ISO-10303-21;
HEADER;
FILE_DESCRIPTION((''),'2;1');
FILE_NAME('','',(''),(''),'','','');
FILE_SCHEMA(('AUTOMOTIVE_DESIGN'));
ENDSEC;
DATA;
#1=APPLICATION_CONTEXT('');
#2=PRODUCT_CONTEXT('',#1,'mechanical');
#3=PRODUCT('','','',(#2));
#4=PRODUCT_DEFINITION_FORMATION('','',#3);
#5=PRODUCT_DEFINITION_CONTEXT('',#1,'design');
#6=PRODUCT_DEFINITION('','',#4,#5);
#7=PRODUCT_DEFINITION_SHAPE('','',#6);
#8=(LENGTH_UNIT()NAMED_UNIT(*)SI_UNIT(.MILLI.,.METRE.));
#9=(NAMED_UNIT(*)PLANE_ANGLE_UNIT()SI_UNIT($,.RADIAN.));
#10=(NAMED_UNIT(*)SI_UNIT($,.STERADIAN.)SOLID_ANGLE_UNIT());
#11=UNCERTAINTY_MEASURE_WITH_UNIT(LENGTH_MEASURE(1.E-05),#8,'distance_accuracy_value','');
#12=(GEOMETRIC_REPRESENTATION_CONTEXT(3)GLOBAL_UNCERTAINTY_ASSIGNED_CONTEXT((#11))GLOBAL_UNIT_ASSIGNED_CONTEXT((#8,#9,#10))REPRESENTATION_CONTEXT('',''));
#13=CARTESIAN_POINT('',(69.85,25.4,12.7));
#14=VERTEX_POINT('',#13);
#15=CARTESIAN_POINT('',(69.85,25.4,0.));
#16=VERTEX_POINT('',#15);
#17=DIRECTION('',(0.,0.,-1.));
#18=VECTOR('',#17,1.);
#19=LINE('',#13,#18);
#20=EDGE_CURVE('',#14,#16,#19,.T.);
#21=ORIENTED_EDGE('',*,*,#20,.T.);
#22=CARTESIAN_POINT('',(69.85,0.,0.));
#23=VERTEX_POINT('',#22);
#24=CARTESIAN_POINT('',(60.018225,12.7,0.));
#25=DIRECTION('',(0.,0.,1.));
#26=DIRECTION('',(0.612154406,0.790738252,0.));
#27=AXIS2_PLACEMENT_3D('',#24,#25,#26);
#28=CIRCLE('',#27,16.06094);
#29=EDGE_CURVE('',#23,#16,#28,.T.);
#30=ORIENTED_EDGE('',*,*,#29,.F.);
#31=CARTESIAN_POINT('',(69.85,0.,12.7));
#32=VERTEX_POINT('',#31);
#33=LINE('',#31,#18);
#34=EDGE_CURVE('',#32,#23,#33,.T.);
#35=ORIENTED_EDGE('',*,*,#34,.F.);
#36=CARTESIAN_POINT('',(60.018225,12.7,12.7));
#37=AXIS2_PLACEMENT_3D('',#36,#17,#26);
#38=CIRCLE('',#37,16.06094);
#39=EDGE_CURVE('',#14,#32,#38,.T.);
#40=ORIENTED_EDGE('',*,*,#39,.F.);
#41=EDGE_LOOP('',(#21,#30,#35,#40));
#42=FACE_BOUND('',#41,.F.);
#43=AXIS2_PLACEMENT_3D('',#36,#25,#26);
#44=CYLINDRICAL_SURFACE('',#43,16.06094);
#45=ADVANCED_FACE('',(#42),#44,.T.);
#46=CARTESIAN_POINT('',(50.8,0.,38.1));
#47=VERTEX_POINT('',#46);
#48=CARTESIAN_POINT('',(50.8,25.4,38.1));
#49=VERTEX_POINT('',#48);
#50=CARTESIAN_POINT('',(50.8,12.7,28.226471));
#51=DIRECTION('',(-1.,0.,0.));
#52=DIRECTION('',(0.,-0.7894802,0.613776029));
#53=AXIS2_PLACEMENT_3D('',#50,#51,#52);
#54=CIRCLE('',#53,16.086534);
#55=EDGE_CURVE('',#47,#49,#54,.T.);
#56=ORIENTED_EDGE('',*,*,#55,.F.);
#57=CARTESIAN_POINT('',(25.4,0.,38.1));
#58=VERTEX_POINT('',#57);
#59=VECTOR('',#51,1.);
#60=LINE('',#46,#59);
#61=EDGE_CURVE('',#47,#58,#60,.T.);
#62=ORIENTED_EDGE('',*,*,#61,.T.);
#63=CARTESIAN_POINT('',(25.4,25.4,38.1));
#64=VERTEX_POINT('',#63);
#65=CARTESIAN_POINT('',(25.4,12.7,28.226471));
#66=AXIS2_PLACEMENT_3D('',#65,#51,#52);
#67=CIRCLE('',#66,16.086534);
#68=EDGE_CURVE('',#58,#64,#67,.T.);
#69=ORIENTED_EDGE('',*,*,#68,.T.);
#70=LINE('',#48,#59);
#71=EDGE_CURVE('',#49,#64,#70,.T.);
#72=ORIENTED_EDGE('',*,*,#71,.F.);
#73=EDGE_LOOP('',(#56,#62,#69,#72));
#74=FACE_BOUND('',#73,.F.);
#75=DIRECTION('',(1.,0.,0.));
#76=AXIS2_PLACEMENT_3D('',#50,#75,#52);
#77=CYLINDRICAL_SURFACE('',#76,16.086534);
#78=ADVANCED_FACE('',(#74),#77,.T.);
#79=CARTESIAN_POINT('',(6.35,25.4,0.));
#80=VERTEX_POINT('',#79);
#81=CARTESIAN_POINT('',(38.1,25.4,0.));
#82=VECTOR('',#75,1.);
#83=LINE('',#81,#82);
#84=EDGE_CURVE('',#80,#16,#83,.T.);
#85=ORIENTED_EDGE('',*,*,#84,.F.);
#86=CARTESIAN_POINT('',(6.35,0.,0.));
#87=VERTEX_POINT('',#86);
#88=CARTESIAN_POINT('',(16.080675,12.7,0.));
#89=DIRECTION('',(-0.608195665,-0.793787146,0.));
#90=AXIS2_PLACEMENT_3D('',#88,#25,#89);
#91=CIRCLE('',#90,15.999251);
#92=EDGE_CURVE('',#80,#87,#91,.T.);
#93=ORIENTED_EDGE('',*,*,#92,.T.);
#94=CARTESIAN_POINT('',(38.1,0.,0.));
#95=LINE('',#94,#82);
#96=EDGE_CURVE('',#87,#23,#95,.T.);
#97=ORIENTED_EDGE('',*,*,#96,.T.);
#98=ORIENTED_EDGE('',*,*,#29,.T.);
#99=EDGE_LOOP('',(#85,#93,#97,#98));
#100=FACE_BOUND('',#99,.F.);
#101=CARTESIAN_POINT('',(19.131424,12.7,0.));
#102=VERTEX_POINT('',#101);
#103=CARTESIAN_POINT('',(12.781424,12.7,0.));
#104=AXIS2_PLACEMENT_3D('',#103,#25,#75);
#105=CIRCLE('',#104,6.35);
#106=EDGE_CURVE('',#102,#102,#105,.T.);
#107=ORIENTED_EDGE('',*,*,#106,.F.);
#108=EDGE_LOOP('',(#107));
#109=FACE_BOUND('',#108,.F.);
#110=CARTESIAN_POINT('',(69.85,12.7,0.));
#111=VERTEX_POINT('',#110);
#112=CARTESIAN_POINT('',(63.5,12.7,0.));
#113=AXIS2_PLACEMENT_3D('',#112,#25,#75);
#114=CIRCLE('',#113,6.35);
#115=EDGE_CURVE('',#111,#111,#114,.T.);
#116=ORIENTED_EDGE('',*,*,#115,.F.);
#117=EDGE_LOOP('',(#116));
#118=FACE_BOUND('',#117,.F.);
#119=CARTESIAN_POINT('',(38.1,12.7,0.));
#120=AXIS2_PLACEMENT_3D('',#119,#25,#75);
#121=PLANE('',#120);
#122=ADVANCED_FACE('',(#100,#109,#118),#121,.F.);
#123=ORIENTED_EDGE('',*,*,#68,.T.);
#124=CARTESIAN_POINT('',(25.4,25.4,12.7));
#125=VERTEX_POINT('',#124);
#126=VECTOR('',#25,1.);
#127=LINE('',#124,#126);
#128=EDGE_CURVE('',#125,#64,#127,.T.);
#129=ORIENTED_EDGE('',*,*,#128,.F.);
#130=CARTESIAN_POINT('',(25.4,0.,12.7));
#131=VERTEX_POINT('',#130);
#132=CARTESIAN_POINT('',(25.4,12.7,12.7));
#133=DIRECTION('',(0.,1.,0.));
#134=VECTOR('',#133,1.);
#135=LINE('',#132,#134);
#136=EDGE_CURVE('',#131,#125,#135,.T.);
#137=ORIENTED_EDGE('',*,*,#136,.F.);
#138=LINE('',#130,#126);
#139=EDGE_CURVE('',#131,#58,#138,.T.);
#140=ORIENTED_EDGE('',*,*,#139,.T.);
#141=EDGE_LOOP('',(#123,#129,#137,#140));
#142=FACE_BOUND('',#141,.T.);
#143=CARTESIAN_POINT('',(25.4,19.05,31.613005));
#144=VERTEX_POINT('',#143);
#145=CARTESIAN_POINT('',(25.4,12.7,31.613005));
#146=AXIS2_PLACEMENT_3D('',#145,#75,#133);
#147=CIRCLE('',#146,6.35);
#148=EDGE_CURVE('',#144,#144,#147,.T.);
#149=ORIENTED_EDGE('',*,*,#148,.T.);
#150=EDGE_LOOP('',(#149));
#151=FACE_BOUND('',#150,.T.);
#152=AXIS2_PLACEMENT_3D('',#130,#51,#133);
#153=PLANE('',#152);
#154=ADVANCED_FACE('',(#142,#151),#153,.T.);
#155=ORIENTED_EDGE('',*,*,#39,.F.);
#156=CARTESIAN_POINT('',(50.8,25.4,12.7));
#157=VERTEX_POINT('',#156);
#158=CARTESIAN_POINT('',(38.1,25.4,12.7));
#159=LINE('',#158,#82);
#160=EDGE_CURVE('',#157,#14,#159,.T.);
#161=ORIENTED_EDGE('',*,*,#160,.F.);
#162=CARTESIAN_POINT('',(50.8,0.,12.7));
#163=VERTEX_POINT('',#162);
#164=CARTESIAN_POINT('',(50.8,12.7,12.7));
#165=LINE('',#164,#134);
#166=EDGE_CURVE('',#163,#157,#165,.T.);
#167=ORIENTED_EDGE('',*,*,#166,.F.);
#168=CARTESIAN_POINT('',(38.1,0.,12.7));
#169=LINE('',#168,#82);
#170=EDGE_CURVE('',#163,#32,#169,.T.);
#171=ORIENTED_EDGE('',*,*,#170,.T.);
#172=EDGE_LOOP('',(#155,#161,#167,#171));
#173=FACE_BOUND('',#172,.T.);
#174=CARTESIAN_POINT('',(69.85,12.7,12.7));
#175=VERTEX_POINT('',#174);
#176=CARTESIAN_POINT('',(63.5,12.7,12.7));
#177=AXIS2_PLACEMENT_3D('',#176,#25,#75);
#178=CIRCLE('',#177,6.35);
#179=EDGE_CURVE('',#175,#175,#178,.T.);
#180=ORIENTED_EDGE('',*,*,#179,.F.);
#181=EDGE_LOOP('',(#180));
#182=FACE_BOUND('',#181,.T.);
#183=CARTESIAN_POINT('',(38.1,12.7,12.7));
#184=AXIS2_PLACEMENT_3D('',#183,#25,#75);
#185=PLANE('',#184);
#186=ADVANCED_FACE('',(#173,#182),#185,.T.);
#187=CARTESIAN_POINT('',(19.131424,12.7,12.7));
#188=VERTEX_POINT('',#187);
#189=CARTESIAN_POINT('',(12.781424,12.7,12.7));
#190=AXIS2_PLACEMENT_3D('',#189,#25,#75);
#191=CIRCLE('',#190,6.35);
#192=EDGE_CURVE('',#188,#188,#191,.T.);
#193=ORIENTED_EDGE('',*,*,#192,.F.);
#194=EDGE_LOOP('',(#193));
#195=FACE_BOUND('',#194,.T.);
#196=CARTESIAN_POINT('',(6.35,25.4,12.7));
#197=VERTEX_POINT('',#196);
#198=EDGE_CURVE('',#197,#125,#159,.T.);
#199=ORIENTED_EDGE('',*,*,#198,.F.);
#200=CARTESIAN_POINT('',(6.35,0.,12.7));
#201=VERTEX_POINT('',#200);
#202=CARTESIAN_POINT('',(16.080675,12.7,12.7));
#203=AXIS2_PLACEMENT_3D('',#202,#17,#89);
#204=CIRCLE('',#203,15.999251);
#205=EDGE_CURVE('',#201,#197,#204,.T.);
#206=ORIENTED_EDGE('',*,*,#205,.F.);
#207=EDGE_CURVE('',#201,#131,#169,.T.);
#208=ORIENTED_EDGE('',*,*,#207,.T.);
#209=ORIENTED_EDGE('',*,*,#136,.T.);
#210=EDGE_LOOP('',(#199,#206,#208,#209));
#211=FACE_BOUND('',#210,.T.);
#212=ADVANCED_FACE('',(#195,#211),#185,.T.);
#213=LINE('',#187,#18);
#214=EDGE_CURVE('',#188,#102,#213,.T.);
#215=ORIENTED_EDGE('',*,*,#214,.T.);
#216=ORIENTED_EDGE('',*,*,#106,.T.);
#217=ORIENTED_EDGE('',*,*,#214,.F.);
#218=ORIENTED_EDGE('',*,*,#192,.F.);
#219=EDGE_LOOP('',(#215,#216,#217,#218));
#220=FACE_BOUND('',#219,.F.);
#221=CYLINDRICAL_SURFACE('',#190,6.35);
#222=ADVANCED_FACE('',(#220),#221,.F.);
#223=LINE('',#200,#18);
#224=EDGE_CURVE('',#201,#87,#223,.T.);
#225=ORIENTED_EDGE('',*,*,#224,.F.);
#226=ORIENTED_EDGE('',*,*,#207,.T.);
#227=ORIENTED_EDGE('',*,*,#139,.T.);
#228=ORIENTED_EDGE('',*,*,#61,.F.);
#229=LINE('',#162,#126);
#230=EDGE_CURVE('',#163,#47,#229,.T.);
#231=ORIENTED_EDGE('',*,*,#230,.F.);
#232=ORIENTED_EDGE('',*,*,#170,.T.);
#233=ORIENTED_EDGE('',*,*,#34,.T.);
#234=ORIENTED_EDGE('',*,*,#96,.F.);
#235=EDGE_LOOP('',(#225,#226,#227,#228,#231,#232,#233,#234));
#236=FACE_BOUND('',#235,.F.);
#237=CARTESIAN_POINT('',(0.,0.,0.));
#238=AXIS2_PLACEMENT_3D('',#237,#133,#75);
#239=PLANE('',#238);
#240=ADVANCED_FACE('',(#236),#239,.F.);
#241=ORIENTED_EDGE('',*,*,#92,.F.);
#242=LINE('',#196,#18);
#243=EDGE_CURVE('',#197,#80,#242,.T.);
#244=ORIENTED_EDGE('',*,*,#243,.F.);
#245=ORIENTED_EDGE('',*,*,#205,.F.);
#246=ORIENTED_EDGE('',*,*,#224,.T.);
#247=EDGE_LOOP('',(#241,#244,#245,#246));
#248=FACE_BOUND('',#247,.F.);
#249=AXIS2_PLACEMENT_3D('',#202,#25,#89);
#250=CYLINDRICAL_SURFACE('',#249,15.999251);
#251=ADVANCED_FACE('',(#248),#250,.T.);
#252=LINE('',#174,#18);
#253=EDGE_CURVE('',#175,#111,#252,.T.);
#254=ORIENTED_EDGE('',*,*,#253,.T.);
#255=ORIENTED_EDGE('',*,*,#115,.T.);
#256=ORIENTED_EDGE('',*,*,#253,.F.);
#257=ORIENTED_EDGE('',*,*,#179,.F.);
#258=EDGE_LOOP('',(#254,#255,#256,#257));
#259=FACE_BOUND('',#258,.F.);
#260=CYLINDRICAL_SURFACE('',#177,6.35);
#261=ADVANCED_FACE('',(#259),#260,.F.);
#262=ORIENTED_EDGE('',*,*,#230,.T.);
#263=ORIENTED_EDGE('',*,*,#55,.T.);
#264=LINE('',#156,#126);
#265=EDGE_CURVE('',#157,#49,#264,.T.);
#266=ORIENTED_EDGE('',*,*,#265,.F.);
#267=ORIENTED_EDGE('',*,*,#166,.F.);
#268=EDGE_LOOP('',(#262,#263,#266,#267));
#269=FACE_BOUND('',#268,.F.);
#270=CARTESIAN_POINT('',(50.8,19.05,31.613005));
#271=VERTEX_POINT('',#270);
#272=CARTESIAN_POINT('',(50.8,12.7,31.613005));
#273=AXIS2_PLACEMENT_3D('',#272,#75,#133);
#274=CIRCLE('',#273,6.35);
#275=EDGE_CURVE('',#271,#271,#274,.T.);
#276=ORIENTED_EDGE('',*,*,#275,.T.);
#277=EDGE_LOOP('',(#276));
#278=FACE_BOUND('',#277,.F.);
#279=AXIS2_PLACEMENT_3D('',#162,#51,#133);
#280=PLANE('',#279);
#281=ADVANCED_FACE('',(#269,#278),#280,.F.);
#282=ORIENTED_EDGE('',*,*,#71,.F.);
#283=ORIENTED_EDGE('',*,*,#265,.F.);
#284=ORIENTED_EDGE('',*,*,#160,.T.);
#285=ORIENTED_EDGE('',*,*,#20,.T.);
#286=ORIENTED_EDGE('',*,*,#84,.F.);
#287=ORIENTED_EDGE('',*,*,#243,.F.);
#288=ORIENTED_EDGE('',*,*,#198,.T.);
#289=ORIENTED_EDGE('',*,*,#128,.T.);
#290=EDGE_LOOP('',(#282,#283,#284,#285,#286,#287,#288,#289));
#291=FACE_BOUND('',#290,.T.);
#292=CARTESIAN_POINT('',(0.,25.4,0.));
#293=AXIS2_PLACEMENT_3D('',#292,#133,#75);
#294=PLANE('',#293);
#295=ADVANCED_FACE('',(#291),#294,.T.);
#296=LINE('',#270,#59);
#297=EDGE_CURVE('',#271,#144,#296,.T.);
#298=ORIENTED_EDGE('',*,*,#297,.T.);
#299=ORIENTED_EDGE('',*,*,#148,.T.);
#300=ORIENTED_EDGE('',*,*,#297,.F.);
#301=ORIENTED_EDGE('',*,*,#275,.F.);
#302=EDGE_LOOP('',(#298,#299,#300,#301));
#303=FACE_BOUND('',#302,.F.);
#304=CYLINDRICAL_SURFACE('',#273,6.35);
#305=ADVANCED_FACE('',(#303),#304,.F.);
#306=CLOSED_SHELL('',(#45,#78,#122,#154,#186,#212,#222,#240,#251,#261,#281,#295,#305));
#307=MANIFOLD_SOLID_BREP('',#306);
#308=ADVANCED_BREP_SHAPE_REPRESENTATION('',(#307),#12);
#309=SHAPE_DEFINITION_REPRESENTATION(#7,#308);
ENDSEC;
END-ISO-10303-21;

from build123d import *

# Parameters (mm, degrees)
F0_W      = 76.2
F0_H      = 25.4
F1_DEPTH  = 12.7
F3_DEPTH  = 25.4
F4_W      = 25.4
F4_H      = 25.4
F5_DEPTH  = 31.75
F7_DEPTH  = 25.4
F8_R      = 6.35
F9_DEPTH  = 12.7
F10_R     = 6.35
F11_DEPTH = 25.4


with BuildPart() as f1:
    # F0 (on Top) → F1 (new body)
    with BuildSketch(Plane.XY):
        with Locations((38.1, 12.7)):
            Rectangle(F0_W, F0_H)
    extrude(amount=F1_DEPTH)

    # F2 (on face) → F3 (cut)
    with BuildSketch(Plane.XY.offset(12.7)):
        with BuildLine():
            ThreePointArc((6.35, 0), (0.081424, 12.7), (6.35, 25.4))
            Line((6.35, 25.4), (0, 25.4))
            Line((0, 25.4), (0, 0))
            Line((0, 0), (6.35, 0))
        make_face()
        with BuildLine():
            Line((76.2, 25.4), (69.85, 25.4))
            ThreePointArc((69.85, 25.4), (76.079165, 12.7), (69.85, 0))
            Line((69.85, 0), (76.2, 0))
            Line((76.2, 0), (76.2, 25.4))
        make_face()
    extrude(amount=-F3_DEPTH, mode=Mode.SUBTRACT)

    # F4 (on face) → F5 (join)
    with BuildSketch(Plane.XY.offset(12.7)):
        with Locations((38.1, 12.7)):
            Rectangle(F4_W, F4_H)
    extrude(amount=F5_DEPTH)

    # F6 (on face) → F7 (cut)
    with BuildSketch(Plane.YZ.offset(50.8)):
        with BuildLine():
            Line((0, 44.45), (0, 38.1))
            ThreePointArc((0, 38.1), (12.7, 44.313005), (25.4, 38.1))
            Line((25.4, 38.1), (25.4, 44.45))
            Line((25.4, 44.45), (0, 44.45))
        make_face()
    extrude(amount=-F7_DEPTH, mode=Mode.SUBTRACT)

    # F8 (on face) → F9 (cut)
    with BuildSketch(Plane.XY.offset(12.7)):
        with Locations((12.781424, 12.7)):
            Circle(F8_R)
        with Locations((63.5, 12.7)):
            Circle(F8_R)
    extrude(amount=-F9_DEPTH, mode=Mode.SUBTRACT)

    # F10 (on face) → F11 (cut)
    with BuildSketch(Plane.YZ.offset(50.8)):
        with Locations((12.7, 31.613005)):
            Circle(F10_R)
    extrude(amount=-F11_DEPTH, mode=Mode.SUBTRACT)


solid = f1.part
